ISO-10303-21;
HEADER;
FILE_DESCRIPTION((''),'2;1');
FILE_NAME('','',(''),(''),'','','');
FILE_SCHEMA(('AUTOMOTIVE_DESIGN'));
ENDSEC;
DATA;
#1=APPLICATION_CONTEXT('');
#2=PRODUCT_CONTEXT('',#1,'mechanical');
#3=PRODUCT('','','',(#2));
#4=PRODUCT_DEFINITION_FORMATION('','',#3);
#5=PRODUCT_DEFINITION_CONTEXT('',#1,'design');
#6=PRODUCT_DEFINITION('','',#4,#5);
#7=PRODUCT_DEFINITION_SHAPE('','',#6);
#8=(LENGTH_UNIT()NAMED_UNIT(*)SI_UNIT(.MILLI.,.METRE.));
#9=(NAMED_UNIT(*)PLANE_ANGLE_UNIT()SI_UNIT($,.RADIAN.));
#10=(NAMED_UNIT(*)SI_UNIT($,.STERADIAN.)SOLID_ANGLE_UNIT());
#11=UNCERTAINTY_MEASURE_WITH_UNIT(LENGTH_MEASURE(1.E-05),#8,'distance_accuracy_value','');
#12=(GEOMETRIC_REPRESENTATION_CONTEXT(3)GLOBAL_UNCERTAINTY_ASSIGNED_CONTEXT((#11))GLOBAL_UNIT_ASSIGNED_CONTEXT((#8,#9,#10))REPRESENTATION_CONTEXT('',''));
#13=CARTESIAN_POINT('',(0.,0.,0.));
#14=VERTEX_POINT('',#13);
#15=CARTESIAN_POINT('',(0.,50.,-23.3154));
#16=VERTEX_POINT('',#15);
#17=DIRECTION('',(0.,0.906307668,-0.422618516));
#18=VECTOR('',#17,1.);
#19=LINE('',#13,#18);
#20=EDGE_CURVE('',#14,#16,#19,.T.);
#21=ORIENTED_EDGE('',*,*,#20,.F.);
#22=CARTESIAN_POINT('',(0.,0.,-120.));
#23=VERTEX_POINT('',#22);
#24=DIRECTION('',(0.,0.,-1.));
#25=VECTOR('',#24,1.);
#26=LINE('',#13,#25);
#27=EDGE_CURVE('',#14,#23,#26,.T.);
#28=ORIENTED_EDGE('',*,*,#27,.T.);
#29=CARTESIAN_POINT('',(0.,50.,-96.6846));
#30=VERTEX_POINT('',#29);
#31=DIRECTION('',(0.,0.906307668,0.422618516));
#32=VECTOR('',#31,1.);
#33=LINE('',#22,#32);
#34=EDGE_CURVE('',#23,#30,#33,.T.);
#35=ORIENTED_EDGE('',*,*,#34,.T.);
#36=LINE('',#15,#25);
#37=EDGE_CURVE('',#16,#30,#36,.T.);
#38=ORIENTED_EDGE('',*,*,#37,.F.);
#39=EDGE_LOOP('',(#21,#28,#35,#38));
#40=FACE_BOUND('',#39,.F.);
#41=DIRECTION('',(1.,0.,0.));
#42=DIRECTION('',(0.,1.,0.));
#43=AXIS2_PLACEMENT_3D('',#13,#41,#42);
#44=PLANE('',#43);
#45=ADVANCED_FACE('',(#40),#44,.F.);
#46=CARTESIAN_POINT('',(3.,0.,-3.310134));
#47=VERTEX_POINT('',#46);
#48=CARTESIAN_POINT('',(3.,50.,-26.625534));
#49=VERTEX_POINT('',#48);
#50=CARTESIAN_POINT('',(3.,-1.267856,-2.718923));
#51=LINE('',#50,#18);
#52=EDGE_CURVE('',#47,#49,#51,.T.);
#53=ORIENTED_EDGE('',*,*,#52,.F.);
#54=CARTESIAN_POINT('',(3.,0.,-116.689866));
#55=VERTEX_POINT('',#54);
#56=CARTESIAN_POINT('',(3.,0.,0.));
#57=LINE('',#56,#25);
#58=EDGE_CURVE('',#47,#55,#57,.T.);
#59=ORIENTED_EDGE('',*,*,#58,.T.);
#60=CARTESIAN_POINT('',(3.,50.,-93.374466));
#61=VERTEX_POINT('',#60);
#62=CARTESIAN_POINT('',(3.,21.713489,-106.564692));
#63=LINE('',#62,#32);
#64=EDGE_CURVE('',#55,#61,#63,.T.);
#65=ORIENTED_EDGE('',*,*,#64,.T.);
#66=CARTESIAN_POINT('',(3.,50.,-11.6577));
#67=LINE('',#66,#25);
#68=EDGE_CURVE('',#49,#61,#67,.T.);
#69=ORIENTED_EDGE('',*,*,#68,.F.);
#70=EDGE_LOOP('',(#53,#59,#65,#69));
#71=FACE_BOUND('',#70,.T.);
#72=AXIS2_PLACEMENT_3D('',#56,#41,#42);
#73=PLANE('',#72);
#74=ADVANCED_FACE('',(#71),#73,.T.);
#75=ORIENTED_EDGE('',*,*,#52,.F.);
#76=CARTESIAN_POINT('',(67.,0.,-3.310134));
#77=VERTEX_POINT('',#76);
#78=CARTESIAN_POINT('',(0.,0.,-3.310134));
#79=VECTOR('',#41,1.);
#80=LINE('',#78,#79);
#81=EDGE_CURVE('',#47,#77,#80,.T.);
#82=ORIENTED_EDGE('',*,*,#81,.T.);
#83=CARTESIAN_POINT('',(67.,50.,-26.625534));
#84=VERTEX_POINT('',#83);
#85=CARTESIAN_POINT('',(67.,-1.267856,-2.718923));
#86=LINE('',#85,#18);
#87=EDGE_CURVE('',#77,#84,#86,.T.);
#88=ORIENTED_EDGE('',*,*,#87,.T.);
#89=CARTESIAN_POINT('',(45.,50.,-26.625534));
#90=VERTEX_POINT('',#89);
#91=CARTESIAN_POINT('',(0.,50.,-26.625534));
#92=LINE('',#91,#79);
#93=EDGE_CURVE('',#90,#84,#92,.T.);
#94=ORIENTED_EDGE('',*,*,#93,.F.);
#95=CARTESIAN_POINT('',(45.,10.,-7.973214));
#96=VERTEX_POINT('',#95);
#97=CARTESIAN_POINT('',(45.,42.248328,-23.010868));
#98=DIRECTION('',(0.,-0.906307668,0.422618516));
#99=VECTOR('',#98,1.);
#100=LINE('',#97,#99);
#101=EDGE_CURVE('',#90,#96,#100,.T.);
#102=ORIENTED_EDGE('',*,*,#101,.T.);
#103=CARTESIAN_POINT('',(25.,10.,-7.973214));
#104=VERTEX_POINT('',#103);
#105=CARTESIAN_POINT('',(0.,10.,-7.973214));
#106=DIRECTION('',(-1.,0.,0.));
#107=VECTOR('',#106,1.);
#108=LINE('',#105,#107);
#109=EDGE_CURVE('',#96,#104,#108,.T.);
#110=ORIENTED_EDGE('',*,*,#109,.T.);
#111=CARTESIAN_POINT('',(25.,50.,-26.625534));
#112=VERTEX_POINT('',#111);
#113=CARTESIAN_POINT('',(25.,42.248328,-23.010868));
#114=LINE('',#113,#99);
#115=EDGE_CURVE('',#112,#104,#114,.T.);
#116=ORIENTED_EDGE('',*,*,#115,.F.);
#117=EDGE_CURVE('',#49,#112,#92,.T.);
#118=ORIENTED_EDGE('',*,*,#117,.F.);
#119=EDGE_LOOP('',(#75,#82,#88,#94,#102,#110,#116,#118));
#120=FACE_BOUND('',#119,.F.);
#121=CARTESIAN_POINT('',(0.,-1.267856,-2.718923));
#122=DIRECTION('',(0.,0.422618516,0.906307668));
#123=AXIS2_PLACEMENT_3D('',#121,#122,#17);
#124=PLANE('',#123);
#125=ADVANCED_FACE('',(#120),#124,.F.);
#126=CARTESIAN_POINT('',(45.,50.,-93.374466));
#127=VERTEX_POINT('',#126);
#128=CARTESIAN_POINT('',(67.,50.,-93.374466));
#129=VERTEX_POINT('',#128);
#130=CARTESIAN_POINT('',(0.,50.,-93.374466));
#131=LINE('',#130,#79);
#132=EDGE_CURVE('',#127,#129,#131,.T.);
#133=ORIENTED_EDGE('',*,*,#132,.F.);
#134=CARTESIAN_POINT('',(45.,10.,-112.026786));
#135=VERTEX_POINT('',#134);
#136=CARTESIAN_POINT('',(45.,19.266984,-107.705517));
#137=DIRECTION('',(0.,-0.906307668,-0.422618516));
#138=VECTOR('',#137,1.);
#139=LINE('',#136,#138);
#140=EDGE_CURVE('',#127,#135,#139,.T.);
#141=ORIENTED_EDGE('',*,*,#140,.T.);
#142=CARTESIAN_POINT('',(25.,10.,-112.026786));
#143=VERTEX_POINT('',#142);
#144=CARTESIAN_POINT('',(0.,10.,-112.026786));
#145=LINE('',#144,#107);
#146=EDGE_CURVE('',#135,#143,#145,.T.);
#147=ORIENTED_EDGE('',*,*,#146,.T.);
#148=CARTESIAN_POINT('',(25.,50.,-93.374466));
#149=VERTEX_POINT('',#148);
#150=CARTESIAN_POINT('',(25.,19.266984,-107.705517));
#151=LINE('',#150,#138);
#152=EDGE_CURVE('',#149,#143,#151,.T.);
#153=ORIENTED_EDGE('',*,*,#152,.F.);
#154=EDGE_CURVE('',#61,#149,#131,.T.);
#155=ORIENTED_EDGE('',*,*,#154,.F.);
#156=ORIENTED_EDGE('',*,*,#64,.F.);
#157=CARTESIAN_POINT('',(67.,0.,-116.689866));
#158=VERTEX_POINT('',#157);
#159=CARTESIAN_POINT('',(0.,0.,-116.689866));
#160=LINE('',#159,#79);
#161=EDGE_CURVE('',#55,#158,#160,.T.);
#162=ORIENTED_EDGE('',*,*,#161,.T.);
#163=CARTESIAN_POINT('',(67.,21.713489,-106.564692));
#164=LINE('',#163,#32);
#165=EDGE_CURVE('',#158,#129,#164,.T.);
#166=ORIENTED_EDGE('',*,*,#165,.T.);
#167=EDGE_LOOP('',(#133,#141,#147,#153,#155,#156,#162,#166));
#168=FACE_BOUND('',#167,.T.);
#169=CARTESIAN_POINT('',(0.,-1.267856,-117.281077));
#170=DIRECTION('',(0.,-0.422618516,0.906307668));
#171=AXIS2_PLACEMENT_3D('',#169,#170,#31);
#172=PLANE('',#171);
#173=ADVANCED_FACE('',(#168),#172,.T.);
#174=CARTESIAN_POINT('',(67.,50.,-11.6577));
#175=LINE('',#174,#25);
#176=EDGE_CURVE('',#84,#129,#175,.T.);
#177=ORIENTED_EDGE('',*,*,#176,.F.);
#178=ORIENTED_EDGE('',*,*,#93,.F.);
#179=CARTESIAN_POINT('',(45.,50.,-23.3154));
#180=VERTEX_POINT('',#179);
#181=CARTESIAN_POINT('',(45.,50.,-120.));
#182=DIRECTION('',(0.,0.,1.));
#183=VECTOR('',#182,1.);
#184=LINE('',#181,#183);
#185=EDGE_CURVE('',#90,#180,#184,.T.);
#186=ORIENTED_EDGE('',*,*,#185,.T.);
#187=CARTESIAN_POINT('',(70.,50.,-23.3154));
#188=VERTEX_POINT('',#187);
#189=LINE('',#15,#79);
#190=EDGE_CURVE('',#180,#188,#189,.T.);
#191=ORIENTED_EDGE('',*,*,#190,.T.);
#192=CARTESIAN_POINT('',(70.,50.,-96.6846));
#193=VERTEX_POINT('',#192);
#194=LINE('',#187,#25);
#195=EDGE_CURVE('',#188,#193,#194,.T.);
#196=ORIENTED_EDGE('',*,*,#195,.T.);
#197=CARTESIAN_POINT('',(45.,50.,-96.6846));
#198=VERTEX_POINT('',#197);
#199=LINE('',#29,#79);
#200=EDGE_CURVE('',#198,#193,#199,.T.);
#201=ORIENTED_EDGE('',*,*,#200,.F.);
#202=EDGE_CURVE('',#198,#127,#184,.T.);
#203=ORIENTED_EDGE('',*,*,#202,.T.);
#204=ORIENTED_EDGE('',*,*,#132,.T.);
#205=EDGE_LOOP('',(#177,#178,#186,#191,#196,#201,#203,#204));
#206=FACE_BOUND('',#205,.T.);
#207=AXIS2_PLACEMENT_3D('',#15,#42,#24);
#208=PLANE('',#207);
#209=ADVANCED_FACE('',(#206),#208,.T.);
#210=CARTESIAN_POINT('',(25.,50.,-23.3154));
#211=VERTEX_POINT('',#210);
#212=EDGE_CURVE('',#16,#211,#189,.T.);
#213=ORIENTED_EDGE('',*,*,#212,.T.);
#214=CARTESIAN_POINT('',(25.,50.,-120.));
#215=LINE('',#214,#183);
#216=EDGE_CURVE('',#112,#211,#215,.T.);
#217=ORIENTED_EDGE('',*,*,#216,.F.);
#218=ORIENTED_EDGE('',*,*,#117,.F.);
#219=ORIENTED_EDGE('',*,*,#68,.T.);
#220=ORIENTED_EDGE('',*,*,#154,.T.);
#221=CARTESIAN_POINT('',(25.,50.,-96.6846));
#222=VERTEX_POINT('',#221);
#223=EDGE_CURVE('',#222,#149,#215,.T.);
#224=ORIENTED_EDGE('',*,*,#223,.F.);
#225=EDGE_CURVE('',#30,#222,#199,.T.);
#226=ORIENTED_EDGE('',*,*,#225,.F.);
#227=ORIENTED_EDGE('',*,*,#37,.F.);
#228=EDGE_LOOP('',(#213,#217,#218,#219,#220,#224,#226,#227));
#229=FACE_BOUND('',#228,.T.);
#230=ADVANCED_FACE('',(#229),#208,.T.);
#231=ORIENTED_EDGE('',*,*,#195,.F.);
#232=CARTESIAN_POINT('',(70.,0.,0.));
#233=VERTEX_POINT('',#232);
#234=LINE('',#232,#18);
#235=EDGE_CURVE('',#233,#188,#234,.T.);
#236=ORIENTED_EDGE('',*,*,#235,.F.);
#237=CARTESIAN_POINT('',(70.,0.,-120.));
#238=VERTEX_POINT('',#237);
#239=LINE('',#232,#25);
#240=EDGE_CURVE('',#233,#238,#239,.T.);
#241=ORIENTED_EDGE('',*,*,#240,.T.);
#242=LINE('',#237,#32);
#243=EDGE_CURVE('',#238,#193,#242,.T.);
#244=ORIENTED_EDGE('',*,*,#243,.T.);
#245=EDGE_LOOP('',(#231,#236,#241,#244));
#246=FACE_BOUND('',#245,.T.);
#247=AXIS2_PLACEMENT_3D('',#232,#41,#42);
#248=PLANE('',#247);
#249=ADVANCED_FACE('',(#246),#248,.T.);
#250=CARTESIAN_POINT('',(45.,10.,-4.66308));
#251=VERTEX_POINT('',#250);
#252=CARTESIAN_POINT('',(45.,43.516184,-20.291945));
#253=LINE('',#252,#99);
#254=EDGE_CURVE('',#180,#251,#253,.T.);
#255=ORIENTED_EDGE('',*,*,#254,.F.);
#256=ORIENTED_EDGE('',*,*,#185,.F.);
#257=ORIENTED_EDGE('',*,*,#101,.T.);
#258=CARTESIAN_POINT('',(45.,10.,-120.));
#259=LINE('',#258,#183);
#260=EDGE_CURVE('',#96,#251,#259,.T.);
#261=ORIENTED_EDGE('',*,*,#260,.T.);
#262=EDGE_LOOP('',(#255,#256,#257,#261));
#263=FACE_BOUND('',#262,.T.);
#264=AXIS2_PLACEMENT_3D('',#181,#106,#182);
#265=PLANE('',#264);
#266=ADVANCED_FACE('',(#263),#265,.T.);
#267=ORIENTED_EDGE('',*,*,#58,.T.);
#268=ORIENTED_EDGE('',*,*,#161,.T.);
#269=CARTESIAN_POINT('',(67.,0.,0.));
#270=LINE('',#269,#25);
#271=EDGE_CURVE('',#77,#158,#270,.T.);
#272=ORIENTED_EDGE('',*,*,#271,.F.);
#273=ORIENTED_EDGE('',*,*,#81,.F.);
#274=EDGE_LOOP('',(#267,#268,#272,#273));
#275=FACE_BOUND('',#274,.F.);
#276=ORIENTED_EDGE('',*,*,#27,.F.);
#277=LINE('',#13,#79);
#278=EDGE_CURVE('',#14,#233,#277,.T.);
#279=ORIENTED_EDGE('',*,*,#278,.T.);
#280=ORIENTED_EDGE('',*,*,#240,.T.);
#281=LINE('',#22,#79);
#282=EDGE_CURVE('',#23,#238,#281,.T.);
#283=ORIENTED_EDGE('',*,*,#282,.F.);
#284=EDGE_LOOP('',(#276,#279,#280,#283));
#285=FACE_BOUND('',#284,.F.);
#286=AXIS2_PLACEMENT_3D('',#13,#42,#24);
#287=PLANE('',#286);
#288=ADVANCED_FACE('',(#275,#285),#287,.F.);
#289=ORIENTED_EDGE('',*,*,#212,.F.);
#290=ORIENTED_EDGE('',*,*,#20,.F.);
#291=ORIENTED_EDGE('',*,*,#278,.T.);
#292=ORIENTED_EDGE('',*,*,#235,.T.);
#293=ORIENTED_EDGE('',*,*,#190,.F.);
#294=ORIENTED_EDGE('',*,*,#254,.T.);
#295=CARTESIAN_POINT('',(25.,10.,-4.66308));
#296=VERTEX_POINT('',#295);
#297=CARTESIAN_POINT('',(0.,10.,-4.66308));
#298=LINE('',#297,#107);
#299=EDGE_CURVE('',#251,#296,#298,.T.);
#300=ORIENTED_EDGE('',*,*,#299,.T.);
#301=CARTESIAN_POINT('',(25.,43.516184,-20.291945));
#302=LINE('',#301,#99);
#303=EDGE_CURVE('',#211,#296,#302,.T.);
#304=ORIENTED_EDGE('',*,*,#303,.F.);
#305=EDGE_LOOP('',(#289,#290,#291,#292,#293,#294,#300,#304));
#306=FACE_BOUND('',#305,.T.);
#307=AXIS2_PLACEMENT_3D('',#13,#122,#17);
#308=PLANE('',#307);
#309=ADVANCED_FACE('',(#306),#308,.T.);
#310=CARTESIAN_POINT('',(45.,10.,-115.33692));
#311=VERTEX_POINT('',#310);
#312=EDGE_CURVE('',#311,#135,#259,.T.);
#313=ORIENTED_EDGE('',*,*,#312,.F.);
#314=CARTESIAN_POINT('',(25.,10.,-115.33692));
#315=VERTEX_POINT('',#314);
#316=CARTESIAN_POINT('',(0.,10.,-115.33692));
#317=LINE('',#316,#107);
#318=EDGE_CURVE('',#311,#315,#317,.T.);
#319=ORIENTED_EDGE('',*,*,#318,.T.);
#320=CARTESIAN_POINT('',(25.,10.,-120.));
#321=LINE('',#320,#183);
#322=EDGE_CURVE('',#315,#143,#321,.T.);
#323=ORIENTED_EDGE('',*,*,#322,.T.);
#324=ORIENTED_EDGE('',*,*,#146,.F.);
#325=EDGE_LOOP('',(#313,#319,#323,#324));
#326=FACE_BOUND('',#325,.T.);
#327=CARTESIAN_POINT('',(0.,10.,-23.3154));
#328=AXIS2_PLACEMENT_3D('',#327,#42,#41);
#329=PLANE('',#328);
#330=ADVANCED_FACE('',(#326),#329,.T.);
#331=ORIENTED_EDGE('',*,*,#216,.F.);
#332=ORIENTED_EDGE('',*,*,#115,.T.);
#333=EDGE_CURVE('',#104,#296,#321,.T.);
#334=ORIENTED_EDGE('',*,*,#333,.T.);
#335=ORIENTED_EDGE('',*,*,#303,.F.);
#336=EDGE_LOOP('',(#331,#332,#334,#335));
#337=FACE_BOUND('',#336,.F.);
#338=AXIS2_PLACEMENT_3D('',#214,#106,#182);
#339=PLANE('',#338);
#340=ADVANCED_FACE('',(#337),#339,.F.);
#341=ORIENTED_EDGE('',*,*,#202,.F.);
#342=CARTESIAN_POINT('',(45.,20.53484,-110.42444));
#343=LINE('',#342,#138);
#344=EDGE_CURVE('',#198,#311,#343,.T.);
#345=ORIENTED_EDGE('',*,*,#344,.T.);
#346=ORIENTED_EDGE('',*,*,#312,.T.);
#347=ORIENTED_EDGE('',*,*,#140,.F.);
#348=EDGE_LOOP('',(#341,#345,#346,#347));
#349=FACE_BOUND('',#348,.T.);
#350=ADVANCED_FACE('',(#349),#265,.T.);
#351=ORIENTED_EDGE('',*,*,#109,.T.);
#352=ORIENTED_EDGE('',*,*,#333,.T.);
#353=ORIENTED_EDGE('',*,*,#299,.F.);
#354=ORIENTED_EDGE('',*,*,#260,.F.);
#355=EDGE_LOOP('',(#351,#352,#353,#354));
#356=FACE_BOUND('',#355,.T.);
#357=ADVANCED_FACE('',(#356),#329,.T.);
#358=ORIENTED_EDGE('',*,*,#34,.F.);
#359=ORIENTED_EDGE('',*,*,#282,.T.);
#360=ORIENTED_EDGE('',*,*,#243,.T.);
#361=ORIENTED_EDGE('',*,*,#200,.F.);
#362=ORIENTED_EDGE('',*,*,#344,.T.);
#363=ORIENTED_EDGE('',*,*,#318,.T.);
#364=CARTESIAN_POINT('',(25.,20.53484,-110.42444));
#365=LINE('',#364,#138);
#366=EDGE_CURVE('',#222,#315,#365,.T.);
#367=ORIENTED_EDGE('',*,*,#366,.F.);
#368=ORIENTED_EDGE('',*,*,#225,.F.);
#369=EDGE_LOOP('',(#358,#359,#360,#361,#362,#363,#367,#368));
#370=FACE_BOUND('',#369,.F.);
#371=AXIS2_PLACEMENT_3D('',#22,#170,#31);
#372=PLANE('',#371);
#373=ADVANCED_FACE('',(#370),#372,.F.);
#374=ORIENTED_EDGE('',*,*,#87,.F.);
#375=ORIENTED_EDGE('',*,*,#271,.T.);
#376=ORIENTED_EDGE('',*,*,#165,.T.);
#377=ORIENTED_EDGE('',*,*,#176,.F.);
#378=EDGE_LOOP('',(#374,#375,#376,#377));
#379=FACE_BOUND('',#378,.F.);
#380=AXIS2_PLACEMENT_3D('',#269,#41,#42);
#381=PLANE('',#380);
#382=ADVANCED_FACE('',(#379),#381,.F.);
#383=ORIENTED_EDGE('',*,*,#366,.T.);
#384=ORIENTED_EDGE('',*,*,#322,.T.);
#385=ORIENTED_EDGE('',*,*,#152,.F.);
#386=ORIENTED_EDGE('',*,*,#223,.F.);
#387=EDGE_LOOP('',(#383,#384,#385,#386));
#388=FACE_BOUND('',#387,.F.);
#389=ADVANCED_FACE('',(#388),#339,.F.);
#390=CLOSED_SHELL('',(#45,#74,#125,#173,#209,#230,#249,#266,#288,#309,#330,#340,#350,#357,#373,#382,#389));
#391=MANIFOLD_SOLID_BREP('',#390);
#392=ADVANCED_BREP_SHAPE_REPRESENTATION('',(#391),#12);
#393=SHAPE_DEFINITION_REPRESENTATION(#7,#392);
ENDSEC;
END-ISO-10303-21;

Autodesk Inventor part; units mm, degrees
ref_plane "YZ Plane" through (0, 0, 0) normal (1, 0, 0) x (0, 1, 0)
ref_plane "XZ Plane" through (0, 0, 0) normal (0, 1, 0) x (-1, 0, 0)
ref_plane "XY Plane" through (0, 0, 0) normal (0, 0, 1) x (1, 0, 0)
sketch "Sketch1" plane through (0, 0, 0) normal (1, 0, 0) x (0, 1, 0)
  line L0 (0, 0) -> (0, -120)
  line L1 (0, -120) -> (50, -96.6846)
  line L2 (0, 0) -> (50, -23.3154)
  line L3 (50, -23.3154) -> (50, -96.6846)
  dimension "d0" = 120
  dimension "d1" = 65
  dimension "d2" = 65
  dimension "d3" = 50
  dimension "d4" = 50
extrude "Extrusion1" add sketch "Sketch1" along normal blind 70
shell "Shell1" thickness 3 removed faces 2 at (23.3333, 50, -72.2282) at (23.3333, 0, -40)
sketch "Sketch2" plane through (0, 50, -23.3154) normal (0, 1, 0) x (1, 0, 0)
  line L0 (35, 37.1714) -> (45, 37.1714) construction
  line L1 (35, 37.1714) -> (25, 37.1714) construction
  line L2 (0, 96.6846) -> (70, 96.6846) projected
  line L3 (25, 96.6846) -> (25, -23.3154)
  line L4 (0, -23.3154) -> (70, -23.3154) projected
  line L5 (45, 96.6846) -> (45, -23.3154)
  line L6 (45, -23.3154) -> (25, -23.3154)
  line L7 (25, 96.6846) -> (45, 96.6846)
  point P0 (45, -23.3154)
  dimension "d8" = 10
  dimension "d9" = 10
  dimension "d10" = 20
extrude "Extrusion2" cut sketch "Sketch2" against normal blind 40
properties part number "Pie_3DPrint"
